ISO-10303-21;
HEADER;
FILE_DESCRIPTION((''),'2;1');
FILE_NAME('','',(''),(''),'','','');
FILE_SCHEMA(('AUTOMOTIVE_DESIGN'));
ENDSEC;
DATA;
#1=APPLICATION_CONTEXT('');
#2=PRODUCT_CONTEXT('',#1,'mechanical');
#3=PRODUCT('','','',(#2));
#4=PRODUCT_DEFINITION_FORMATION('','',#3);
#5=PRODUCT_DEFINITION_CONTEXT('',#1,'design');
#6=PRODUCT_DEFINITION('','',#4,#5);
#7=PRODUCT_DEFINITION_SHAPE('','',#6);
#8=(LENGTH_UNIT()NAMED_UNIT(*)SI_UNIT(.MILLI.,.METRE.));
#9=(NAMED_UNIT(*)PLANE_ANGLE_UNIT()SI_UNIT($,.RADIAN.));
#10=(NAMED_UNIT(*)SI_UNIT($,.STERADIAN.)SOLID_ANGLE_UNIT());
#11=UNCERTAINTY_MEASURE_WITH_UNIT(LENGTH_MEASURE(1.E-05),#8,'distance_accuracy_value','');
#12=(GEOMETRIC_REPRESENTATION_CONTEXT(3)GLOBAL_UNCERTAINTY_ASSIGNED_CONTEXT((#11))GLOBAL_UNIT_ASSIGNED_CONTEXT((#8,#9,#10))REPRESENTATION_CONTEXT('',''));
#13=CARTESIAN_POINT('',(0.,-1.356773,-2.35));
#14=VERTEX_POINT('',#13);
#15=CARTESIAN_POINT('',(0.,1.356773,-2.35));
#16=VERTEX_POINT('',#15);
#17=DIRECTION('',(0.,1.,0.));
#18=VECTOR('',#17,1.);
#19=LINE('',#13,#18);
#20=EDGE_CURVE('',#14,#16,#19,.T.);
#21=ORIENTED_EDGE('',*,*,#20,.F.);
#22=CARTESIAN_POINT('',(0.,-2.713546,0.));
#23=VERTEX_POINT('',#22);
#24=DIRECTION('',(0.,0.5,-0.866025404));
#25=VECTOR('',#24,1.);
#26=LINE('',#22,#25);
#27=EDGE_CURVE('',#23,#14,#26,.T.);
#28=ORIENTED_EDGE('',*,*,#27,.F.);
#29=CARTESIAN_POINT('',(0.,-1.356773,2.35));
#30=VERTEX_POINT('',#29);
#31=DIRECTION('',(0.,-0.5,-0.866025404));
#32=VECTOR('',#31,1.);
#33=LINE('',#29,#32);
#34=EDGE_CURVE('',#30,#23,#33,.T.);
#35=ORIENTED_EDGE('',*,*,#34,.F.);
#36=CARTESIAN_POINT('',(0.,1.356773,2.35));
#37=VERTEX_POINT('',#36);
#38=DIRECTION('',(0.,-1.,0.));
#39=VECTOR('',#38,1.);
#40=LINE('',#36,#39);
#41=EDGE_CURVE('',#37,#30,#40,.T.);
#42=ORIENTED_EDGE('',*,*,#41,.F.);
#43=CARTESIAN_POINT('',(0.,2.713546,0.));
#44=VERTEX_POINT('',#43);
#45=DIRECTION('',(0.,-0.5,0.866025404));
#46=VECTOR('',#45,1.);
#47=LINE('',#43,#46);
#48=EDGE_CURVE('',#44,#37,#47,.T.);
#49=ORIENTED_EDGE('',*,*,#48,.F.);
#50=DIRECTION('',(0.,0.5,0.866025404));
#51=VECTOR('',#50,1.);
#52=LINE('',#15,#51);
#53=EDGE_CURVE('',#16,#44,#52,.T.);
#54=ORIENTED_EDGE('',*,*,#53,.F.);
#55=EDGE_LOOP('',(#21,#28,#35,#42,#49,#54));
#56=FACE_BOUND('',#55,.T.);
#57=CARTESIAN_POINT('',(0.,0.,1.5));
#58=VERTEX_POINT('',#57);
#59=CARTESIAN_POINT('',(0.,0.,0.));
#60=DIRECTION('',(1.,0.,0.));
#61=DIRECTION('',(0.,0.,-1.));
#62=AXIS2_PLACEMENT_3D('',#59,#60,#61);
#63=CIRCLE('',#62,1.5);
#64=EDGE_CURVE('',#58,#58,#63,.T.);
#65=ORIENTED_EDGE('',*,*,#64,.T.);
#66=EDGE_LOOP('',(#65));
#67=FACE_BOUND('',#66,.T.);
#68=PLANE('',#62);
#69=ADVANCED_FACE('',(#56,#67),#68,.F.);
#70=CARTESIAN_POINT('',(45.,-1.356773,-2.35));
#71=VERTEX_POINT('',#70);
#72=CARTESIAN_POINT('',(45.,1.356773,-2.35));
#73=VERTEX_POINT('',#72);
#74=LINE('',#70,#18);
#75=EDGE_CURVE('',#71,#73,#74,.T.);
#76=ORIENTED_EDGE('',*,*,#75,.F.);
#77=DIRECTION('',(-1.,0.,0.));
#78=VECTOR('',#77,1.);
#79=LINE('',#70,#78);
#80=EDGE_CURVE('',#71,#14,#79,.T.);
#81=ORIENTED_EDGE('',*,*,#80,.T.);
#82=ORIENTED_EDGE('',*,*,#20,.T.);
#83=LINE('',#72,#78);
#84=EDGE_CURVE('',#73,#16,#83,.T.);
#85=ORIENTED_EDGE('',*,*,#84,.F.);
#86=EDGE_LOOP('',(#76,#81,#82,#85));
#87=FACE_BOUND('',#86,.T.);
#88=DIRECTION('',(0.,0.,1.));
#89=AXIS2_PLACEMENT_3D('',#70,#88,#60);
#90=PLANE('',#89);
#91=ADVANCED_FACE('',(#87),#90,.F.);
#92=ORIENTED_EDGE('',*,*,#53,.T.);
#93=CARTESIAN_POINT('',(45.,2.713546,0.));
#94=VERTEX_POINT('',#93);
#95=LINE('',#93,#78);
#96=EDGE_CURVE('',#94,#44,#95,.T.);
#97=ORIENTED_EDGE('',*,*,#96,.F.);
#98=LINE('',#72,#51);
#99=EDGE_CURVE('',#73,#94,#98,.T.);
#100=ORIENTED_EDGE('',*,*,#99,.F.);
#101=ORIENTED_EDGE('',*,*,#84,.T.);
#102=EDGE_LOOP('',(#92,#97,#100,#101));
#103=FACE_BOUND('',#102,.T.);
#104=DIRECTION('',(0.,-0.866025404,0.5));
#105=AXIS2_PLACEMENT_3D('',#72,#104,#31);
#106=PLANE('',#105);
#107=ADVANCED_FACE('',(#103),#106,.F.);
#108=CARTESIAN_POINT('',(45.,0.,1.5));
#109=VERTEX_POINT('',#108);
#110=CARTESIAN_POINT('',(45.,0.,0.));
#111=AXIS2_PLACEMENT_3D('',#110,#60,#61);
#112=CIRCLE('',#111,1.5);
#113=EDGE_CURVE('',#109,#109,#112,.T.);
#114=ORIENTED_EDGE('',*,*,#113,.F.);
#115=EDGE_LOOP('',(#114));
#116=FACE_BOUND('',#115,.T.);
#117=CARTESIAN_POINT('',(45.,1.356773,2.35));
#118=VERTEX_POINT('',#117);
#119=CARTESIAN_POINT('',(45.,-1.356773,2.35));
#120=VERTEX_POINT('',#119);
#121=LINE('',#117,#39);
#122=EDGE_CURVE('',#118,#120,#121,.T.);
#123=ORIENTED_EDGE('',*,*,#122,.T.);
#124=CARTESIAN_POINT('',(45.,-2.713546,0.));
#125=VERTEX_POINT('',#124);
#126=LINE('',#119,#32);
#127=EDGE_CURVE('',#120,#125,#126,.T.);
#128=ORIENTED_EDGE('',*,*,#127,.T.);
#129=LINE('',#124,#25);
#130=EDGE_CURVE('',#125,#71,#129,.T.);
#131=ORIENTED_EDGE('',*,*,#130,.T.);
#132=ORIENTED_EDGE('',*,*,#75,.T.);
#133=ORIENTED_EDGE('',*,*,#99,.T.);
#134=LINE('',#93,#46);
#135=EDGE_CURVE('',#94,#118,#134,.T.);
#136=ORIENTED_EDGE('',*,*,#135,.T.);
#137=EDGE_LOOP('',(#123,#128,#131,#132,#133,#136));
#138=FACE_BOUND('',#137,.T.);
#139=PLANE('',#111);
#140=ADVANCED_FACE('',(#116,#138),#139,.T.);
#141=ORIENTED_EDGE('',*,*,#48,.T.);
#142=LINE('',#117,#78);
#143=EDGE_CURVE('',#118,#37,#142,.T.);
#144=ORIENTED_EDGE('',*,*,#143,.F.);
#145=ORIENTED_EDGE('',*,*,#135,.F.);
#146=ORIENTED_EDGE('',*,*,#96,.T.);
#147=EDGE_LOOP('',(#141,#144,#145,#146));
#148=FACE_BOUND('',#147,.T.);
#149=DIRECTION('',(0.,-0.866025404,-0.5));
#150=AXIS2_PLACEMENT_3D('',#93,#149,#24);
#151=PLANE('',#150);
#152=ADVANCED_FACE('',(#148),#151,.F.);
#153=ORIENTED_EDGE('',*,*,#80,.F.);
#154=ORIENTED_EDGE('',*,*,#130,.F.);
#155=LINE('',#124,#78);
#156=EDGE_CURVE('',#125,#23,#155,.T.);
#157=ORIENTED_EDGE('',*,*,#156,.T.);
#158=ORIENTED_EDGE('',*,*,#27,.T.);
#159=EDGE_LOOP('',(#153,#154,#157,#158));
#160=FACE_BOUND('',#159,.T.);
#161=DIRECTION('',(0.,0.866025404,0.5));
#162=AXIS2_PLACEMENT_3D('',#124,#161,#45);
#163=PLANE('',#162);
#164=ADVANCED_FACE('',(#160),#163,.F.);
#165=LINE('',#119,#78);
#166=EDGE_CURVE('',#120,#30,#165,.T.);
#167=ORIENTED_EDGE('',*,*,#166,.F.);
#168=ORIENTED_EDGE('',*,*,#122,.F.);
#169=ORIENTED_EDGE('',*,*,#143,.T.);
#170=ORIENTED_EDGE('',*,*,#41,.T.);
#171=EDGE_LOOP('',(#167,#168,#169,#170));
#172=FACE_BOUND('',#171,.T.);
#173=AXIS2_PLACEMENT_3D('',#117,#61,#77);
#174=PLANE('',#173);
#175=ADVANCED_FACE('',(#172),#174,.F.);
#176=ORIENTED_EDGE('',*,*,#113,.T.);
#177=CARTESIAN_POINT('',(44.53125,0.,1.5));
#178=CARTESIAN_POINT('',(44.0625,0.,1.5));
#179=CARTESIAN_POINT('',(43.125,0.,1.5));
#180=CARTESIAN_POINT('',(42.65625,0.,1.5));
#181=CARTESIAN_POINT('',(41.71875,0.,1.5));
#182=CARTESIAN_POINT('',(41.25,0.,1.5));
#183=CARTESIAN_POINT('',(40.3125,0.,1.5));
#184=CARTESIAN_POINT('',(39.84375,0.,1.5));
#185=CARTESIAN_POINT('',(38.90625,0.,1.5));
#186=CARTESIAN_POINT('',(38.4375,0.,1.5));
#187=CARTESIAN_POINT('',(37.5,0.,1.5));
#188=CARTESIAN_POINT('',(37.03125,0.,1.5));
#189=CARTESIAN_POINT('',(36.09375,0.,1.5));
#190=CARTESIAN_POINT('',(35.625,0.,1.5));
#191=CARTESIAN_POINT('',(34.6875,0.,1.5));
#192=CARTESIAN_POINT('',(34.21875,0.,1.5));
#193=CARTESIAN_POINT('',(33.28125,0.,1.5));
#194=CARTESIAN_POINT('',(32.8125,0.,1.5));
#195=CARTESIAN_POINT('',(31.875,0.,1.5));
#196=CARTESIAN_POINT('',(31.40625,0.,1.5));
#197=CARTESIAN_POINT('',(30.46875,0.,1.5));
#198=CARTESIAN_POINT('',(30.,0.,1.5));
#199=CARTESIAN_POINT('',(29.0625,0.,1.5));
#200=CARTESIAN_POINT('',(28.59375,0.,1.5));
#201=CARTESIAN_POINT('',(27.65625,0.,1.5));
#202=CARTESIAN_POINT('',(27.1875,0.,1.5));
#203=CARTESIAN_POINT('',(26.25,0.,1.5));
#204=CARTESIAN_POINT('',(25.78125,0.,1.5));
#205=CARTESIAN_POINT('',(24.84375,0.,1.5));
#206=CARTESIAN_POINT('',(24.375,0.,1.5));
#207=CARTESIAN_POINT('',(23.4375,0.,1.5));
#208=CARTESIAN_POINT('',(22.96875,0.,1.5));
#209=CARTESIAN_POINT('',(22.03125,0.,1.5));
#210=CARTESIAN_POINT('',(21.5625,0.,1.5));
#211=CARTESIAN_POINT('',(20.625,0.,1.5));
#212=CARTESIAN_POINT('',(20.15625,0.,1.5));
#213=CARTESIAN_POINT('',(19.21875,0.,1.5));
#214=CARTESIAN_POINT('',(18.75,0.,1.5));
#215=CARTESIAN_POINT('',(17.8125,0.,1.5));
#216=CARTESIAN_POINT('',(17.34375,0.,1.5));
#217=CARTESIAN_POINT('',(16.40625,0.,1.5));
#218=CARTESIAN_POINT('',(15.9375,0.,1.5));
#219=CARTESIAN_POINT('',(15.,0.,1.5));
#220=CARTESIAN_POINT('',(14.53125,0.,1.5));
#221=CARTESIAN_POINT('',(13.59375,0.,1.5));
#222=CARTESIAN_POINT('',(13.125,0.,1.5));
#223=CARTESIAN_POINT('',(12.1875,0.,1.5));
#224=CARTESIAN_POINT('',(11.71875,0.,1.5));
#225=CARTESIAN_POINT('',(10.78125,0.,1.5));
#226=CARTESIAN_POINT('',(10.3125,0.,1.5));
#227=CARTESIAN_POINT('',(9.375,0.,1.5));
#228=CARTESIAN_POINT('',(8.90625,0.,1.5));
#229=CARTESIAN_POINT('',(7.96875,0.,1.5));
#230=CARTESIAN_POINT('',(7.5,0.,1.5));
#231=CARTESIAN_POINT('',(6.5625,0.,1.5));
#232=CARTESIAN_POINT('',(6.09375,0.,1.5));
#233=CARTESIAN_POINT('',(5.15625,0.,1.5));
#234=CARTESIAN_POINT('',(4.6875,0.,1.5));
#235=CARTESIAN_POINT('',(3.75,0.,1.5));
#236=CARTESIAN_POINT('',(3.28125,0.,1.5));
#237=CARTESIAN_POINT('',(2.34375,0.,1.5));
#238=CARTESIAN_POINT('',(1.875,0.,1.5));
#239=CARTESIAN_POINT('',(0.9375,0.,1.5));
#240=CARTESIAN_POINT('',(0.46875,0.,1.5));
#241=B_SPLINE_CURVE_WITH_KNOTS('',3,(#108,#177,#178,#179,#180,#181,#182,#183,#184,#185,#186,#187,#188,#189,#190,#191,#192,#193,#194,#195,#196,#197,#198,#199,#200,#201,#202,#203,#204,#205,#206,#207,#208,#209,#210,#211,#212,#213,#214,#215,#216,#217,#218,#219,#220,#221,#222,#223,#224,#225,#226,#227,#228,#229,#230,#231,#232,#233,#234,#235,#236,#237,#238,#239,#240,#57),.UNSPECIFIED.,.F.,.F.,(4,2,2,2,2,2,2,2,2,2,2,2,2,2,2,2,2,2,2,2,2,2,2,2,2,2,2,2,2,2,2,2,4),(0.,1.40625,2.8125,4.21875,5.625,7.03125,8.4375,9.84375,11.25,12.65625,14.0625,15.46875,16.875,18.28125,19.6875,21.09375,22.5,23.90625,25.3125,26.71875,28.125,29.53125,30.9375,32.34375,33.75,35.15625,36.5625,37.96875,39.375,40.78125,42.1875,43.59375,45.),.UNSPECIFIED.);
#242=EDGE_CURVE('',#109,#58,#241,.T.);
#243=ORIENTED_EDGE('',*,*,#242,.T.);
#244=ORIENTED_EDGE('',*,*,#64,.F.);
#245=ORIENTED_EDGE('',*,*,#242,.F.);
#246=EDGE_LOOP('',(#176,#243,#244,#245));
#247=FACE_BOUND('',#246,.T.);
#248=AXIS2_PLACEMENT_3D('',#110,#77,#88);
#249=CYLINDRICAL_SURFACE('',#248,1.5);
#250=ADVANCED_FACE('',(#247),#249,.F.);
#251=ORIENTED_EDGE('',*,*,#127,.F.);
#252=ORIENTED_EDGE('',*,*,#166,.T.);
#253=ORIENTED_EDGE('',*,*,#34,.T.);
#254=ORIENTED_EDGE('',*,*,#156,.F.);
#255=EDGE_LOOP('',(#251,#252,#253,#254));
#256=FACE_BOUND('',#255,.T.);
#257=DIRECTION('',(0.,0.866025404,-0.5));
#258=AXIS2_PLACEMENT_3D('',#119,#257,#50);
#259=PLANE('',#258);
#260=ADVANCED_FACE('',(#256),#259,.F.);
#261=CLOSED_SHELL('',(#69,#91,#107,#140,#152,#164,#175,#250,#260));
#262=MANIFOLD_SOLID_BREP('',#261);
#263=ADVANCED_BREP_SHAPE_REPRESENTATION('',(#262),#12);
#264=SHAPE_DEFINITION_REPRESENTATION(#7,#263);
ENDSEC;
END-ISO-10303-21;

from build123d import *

# Parameters (mm, degrees)
SKETCH_1_R      = 1.5
EXTRUDE_1_DEPTH = 45


with BuildPart() as part:
    # 草图1 → 凸台-拉伸1 (new body)
    with BuildSketch(Plane(origin=(0, 0, 0), x_dir=(0, 0, -1), z_dir=(1, 0, 0))):
        Polygon((2.35, 1.356773133), (0, 2.713546265), (-2.35, 1.356773133), (-2.35, -1.356773133), (0, -2.713546265), (2.35, -1.356773133), align=None)
        with Locations(Location((0, 0, 0), (0, 0, 180))):
            Circle(SKETCH_1_R, mode=Mode.SUBTRACT)
    extrude(amount=EXTRUDE_1_DEPTH)


solid = part.part
